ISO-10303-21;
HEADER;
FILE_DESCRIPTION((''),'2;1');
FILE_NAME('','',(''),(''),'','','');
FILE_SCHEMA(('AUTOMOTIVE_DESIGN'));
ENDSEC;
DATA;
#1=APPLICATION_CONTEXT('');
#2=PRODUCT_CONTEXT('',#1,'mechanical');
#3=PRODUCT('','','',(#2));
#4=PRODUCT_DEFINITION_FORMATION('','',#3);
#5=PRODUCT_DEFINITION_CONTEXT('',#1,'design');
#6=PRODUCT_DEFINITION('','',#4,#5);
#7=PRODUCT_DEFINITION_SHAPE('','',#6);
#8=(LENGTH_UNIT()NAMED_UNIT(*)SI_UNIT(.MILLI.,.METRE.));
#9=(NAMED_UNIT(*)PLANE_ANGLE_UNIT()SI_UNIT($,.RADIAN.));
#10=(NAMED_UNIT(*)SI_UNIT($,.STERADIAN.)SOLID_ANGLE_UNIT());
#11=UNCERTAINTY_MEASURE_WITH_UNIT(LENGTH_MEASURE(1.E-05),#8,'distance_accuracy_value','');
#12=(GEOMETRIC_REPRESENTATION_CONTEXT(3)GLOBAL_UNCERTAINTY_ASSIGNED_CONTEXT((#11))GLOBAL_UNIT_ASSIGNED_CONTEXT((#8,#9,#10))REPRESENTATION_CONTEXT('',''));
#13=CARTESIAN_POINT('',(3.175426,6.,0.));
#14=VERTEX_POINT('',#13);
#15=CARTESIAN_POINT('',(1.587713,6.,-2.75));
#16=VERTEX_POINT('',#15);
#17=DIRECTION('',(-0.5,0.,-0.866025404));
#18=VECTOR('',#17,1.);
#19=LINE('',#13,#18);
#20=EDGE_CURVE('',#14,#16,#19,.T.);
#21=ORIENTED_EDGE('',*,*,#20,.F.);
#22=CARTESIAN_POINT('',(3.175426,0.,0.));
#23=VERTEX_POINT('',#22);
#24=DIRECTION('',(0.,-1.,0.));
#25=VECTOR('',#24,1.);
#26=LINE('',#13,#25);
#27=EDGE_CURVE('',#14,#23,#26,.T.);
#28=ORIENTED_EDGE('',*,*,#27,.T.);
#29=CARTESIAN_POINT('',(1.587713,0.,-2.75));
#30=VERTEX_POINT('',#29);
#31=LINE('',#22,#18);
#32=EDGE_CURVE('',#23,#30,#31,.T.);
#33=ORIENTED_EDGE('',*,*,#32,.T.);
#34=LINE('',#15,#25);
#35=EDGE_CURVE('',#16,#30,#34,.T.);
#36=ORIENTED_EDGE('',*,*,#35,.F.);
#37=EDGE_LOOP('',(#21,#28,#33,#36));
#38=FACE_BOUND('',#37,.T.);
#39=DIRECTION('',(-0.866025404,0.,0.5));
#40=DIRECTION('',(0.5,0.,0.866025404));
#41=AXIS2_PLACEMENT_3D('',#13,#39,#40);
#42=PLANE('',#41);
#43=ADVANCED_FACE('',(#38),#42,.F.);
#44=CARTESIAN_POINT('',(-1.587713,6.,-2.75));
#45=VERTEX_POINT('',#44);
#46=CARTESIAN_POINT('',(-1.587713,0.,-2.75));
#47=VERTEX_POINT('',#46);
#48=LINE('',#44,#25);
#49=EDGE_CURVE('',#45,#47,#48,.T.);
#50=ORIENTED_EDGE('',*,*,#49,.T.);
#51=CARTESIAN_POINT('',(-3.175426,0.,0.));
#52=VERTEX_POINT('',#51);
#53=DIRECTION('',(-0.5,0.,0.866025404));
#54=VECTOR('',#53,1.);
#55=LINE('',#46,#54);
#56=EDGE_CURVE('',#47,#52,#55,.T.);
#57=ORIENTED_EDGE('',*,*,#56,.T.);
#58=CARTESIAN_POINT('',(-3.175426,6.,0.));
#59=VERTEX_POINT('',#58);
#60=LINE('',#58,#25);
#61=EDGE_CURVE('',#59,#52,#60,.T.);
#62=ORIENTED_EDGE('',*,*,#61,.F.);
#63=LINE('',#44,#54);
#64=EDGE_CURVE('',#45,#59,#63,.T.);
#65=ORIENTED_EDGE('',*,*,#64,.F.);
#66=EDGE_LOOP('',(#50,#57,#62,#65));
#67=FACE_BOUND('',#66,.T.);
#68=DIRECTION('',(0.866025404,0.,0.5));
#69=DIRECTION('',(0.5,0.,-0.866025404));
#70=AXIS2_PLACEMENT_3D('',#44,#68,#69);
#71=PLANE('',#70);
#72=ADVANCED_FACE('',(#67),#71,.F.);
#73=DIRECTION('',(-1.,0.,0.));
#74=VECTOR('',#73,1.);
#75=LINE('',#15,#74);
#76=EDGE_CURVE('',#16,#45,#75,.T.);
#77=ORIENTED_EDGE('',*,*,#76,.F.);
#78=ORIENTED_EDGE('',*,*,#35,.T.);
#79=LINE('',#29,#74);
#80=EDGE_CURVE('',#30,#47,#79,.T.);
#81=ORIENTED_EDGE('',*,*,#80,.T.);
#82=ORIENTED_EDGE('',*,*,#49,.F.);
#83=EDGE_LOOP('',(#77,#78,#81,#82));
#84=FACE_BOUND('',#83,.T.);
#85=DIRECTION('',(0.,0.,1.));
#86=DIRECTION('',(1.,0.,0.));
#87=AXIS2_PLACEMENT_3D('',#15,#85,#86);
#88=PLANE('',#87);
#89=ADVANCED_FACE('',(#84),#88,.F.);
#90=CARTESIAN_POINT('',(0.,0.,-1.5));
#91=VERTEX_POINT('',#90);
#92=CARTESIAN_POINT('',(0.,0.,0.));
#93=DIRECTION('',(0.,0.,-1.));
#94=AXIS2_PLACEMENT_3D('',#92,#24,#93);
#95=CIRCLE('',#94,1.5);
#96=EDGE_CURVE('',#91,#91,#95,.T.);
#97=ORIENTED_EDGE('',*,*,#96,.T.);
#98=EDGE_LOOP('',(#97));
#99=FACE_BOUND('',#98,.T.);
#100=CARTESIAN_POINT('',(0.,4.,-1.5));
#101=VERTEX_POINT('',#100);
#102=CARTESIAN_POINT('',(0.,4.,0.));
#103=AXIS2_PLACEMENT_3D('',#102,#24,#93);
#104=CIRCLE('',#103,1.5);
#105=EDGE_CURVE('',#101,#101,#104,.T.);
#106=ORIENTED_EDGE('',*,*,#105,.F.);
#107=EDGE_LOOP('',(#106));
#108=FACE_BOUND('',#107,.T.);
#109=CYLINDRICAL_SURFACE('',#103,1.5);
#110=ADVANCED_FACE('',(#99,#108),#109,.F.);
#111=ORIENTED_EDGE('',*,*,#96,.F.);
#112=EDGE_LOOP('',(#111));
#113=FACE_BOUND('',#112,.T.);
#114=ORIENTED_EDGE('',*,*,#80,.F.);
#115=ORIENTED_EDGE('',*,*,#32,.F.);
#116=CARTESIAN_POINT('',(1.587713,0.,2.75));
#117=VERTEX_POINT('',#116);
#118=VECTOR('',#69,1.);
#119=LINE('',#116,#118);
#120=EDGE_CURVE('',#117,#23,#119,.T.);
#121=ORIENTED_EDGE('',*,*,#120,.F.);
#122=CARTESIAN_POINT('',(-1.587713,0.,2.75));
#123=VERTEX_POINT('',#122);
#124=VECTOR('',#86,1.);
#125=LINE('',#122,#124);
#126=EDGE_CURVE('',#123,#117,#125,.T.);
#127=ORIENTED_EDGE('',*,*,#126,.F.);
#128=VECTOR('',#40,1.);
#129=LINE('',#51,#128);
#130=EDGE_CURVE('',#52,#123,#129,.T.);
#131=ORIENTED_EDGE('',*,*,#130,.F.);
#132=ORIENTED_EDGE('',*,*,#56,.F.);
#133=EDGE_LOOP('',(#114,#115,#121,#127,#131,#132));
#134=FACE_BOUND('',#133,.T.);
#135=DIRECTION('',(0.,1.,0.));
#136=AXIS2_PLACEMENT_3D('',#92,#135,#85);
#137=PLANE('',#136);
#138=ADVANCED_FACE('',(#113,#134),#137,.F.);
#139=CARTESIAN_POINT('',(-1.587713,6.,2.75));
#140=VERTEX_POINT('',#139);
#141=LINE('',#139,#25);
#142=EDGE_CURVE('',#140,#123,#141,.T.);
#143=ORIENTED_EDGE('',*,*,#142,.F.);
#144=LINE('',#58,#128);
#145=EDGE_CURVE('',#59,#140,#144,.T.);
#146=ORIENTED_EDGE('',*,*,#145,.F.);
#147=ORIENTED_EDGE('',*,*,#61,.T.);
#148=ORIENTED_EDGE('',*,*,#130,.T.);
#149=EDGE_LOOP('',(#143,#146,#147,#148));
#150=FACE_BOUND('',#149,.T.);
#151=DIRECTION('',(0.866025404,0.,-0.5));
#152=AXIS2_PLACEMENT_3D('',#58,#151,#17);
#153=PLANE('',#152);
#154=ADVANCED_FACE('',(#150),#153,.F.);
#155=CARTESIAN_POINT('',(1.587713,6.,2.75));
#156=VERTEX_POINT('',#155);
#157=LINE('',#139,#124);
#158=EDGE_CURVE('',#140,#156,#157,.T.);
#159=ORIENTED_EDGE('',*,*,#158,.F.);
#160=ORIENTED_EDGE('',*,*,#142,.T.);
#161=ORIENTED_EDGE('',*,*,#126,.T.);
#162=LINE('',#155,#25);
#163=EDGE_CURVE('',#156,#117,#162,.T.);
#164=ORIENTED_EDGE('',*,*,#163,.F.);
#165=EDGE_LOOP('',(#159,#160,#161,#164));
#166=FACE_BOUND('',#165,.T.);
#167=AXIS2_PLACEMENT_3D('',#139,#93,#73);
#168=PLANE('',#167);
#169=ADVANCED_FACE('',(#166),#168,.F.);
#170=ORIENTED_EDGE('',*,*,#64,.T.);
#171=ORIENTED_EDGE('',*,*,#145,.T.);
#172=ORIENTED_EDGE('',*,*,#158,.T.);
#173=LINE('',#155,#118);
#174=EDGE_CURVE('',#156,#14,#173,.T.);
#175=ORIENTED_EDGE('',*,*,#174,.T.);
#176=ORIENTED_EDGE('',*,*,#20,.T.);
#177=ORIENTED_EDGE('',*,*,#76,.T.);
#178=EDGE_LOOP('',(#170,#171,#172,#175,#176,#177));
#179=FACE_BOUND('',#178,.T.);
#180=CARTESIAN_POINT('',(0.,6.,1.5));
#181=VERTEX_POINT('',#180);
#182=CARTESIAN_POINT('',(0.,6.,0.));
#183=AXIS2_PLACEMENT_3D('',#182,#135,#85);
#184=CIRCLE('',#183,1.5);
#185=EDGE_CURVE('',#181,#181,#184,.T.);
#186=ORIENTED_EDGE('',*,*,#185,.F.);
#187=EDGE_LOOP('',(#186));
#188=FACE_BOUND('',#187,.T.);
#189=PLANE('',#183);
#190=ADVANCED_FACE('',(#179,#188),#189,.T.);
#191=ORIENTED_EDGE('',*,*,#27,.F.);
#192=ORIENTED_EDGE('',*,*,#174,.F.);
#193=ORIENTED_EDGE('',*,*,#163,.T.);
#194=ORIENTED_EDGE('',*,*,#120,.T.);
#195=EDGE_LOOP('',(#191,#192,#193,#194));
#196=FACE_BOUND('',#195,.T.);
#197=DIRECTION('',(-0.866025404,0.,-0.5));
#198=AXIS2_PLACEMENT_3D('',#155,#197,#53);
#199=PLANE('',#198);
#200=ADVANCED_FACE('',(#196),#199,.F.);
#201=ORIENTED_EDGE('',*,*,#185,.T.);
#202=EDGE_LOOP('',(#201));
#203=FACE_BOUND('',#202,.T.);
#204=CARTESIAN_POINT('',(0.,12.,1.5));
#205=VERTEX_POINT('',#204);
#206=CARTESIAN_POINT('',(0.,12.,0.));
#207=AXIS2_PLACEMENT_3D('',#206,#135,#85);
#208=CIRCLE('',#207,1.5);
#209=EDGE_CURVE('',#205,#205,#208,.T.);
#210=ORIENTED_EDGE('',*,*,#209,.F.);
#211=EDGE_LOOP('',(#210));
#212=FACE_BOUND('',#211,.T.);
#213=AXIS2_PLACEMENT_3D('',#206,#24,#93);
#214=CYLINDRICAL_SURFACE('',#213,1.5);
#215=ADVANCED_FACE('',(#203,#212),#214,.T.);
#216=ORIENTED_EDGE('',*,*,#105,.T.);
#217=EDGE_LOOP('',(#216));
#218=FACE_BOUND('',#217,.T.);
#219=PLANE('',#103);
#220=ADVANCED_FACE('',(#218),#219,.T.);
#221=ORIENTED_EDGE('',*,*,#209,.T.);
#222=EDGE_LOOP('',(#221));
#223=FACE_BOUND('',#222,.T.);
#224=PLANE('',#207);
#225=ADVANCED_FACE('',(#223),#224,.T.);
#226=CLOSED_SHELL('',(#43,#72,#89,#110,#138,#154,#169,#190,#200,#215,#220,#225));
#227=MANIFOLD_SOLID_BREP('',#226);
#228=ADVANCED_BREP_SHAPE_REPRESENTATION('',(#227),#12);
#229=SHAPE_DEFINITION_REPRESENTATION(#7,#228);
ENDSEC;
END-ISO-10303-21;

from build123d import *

# Parameters (mm, degrees)
EXTRUDE_1_DEPTH     = 6
SKETCH_2_R          = 1.5
CUT_EXTRUDE_1_DEPTH = 4
SKETCH_3_R          = 1.5
EXTRUDE_2_DEPTH     = 6


with BuildPart() as part:
    # 草图1 → 凸台-拉伸1 (new body)
    with BuildSketch(Plane(origin=(0, 0, 0), x_dir=(1, 0, 0), z_dir=(0, 1, 0))):
        Polygon((3.175426481, 0), (1.58771324, 2.75), (-1.58771324, 2.75), (-3.175426481, 0), (-1.58771324, -2.75), (1.58771324, -2.75), align=None)
    extrude(amount=EXTRUDE_1_DEPTH)

    # 草图2 → 切除-拉伸1 (cut)
    with BuildSketch(Plane.XZ):
        Circle(SKETCH_2_R)
    extrude(amount=-CUT_EXTRUDE_1_DEPTH, mode=Mode.SUBTRACT)

    # 草图3 → 凸台-拉伸2 (add)
    with BuildSketch(Plane(origin=(0, 6, 0), x_dir=(1, 0, 0), z_dir=(0, 1, 0))):
        Circle(SKETCH_3_R)
    extrude(amount=EXTRUDE_2_DEPTH)


solid = part.part
